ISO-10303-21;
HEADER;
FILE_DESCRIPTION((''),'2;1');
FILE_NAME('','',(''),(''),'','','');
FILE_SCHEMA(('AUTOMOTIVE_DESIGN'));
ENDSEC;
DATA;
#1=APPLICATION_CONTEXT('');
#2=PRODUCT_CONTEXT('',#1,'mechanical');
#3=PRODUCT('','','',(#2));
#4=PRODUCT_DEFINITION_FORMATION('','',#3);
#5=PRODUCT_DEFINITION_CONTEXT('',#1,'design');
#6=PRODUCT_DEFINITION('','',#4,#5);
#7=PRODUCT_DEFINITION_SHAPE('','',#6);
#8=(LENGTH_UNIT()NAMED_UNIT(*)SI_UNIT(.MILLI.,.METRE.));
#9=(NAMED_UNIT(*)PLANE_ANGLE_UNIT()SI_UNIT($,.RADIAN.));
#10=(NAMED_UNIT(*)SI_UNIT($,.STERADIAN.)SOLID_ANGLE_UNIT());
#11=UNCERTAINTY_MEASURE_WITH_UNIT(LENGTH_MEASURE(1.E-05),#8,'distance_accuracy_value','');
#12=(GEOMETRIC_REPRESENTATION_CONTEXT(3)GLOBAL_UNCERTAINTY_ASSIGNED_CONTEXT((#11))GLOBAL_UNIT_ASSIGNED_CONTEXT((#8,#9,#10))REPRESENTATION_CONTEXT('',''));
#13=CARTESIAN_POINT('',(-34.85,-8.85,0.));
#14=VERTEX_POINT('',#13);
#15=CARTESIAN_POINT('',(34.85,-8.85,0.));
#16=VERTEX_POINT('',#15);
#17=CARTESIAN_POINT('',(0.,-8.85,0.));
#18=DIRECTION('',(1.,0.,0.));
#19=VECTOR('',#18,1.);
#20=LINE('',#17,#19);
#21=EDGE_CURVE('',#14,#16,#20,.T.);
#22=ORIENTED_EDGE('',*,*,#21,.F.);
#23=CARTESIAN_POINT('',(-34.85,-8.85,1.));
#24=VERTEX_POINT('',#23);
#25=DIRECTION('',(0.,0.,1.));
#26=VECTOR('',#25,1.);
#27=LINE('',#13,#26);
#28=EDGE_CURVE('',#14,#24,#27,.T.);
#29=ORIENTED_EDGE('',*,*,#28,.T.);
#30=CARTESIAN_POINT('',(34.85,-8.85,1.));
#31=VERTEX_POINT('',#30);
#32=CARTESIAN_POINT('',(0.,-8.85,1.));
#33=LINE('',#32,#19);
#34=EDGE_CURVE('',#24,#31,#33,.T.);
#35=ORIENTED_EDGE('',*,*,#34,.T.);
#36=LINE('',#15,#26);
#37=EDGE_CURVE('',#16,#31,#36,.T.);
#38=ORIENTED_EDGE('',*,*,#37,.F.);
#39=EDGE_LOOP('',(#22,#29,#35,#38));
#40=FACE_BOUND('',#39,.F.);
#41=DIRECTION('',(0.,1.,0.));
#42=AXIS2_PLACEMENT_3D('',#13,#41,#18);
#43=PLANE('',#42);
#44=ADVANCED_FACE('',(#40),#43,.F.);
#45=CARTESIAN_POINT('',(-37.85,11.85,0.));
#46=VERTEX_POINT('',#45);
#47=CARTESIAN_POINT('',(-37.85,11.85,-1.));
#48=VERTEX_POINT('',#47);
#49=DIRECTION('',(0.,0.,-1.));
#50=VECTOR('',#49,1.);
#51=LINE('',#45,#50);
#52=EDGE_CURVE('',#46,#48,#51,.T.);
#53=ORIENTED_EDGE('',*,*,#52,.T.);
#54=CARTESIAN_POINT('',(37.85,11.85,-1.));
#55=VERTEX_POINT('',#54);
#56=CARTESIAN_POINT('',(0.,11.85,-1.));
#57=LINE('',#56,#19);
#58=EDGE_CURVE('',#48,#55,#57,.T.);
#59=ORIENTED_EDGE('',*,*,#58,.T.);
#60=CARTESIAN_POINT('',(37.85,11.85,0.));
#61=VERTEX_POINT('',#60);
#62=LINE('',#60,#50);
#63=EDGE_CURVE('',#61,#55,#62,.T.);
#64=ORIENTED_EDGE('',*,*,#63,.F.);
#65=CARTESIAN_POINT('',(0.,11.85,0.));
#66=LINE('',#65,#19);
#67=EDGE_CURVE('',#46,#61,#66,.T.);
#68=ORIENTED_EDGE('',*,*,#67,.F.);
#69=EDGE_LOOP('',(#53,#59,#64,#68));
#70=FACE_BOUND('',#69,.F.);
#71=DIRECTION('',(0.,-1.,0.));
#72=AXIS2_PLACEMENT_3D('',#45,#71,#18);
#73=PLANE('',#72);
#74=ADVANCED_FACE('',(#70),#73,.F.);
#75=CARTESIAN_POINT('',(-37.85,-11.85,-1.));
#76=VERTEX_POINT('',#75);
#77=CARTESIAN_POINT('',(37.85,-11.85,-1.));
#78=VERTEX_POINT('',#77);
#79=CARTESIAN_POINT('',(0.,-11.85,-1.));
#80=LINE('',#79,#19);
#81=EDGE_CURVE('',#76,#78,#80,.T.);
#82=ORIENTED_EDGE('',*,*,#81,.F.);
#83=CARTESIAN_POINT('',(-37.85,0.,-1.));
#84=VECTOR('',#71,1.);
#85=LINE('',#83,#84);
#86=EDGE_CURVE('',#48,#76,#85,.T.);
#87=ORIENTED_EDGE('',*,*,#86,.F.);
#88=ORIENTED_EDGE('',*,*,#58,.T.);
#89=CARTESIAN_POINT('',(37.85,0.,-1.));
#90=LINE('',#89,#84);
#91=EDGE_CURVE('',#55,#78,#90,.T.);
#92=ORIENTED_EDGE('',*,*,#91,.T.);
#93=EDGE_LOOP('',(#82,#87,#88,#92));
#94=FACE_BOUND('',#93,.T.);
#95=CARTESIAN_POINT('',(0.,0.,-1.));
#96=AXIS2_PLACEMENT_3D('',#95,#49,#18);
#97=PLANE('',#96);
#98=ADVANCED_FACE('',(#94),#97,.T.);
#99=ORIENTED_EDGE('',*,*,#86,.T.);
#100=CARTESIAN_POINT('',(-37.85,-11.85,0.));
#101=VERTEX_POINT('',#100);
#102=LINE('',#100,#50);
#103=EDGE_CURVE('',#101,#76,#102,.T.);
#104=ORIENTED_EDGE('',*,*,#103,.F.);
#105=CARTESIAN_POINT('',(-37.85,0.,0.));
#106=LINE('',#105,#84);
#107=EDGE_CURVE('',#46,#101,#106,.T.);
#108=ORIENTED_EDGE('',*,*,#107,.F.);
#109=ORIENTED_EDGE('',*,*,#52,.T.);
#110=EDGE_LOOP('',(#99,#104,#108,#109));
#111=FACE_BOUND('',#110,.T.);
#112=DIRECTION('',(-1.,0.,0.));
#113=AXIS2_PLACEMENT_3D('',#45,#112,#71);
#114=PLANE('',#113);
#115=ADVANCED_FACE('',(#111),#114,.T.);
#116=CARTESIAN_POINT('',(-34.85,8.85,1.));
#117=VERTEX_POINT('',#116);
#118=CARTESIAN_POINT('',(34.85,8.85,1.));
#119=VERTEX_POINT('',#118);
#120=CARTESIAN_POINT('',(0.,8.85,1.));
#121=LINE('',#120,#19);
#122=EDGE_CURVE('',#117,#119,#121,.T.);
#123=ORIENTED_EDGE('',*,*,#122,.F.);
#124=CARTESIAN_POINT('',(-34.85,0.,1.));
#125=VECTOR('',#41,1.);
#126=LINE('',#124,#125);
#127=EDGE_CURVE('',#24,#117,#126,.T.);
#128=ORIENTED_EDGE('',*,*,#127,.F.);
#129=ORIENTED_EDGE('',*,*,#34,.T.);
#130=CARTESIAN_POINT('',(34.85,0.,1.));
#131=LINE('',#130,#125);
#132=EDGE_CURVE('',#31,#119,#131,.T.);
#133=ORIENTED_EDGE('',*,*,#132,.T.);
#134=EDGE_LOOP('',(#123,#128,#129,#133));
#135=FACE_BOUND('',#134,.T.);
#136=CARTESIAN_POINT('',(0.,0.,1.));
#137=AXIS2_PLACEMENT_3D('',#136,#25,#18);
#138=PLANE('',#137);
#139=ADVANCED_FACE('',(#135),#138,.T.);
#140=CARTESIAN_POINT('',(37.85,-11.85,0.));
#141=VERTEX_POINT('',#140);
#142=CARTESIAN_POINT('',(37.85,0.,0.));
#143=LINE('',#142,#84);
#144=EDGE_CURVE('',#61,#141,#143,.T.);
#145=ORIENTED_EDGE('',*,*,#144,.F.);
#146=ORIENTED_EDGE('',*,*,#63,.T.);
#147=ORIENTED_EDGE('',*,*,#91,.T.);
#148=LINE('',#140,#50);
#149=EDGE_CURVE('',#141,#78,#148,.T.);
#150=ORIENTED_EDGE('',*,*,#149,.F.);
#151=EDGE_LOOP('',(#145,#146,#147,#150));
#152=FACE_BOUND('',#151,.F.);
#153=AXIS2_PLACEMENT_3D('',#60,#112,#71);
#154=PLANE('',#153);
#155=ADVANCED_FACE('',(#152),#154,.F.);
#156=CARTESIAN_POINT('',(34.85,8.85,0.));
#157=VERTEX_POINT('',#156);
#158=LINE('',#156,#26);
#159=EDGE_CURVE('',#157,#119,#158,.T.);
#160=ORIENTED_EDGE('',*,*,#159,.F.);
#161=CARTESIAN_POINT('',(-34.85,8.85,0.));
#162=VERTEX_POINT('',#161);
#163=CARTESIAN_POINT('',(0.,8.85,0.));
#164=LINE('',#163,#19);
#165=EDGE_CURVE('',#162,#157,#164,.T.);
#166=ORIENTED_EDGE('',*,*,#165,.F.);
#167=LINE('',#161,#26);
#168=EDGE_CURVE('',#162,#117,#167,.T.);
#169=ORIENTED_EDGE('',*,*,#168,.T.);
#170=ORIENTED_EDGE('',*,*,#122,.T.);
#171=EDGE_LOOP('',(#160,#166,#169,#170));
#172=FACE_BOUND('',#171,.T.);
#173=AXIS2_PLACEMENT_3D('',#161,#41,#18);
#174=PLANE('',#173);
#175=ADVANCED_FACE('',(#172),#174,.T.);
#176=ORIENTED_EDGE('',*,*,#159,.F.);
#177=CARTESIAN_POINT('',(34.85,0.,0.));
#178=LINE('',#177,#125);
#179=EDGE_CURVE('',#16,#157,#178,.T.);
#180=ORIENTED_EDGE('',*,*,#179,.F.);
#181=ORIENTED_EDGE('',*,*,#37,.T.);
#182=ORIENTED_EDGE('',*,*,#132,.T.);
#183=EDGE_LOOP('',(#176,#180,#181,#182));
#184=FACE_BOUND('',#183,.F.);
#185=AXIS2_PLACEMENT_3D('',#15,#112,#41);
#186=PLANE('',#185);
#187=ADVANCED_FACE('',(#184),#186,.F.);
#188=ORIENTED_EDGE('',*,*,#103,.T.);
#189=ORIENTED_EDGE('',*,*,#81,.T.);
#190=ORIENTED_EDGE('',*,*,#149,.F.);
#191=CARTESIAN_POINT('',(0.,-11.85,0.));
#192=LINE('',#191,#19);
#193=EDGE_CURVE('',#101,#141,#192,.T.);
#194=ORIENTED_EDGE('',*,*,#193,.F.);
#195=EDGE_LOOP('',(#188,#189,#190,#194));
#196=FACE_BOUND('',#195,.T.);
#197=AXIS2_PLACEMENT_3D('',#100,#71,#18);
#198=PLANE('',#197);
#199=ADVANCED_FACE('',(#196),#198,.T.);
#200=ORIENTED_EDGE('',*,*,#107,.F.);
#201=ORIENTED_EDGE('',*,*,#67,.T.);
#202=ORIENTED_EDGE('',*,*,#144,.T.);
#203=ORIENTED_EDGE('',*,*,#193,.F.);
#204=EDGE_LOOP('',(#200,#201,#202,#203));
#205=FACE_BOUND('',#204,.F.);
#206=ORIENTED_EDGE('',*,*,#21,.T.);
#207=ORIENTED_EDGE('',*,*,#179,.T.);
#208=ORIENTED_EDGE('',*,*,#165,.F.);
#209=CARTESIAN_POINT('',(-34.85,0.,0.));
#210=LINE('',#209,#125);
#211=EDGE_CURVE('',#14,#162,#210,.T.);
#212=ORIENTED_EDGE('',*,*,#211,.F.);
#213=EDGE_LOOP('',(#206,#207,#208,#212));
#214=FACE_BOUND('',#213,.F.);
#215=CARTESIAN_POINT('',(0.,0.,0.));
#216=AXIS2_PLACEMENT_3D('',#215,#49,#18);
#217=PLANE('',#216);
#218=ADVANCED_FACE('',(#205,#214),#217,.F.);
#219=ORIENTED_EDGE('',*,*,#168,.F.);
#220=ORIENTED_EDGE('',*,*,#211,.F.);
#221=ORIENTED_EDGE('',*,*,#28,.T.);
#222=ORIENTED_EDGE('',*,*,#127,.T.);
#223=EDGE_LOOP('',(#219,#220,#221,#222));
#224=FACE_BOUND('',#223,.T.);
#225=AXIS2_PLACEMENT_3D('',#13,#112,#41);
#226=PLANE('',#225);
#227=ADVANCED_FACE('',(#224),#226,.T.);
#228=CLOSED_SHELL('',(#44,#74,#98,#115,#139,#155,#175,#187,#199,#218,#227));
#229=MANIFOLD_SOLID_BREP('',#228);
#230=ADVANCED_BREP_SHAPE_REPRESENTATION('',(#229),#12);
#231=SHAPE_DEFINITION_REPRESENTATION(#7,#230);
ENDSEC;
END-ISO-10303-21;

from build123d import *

# Parameters (mm, degrees)
F0_W     = 69.7
F0_H     = 17.7
F1_DEPTH = 1
F3_W     = 75.7
F3_H     = 23.7
F3_W_2   = 69.7
F3_H_2   = 17.7
F4_DEPTH = 1


with BuildPart() as f1:
    # F0 (on Top) → F1 (new body)
    with BuildSketch(Plane.XY):
        Rectangle(F0_W, F0_H)
    extrude(amount=F1_DEPTH)

    # F3 (on face) → F4 (join)
    with BuildSketch(Plane(origin=(0, 0, 0), x_dir=(1, 0, 0), z_dir=(0, 0, -1))):
        Rectangle(F3_W, F3_H)
        Rectangle(F3_W_2, F3_H_2, mode=Mode.SUBTRACT)
        Rectangle(F3_W_2, F3_H_2)
    extrude(amount=F4_DEPTH)


solid = f1.part
